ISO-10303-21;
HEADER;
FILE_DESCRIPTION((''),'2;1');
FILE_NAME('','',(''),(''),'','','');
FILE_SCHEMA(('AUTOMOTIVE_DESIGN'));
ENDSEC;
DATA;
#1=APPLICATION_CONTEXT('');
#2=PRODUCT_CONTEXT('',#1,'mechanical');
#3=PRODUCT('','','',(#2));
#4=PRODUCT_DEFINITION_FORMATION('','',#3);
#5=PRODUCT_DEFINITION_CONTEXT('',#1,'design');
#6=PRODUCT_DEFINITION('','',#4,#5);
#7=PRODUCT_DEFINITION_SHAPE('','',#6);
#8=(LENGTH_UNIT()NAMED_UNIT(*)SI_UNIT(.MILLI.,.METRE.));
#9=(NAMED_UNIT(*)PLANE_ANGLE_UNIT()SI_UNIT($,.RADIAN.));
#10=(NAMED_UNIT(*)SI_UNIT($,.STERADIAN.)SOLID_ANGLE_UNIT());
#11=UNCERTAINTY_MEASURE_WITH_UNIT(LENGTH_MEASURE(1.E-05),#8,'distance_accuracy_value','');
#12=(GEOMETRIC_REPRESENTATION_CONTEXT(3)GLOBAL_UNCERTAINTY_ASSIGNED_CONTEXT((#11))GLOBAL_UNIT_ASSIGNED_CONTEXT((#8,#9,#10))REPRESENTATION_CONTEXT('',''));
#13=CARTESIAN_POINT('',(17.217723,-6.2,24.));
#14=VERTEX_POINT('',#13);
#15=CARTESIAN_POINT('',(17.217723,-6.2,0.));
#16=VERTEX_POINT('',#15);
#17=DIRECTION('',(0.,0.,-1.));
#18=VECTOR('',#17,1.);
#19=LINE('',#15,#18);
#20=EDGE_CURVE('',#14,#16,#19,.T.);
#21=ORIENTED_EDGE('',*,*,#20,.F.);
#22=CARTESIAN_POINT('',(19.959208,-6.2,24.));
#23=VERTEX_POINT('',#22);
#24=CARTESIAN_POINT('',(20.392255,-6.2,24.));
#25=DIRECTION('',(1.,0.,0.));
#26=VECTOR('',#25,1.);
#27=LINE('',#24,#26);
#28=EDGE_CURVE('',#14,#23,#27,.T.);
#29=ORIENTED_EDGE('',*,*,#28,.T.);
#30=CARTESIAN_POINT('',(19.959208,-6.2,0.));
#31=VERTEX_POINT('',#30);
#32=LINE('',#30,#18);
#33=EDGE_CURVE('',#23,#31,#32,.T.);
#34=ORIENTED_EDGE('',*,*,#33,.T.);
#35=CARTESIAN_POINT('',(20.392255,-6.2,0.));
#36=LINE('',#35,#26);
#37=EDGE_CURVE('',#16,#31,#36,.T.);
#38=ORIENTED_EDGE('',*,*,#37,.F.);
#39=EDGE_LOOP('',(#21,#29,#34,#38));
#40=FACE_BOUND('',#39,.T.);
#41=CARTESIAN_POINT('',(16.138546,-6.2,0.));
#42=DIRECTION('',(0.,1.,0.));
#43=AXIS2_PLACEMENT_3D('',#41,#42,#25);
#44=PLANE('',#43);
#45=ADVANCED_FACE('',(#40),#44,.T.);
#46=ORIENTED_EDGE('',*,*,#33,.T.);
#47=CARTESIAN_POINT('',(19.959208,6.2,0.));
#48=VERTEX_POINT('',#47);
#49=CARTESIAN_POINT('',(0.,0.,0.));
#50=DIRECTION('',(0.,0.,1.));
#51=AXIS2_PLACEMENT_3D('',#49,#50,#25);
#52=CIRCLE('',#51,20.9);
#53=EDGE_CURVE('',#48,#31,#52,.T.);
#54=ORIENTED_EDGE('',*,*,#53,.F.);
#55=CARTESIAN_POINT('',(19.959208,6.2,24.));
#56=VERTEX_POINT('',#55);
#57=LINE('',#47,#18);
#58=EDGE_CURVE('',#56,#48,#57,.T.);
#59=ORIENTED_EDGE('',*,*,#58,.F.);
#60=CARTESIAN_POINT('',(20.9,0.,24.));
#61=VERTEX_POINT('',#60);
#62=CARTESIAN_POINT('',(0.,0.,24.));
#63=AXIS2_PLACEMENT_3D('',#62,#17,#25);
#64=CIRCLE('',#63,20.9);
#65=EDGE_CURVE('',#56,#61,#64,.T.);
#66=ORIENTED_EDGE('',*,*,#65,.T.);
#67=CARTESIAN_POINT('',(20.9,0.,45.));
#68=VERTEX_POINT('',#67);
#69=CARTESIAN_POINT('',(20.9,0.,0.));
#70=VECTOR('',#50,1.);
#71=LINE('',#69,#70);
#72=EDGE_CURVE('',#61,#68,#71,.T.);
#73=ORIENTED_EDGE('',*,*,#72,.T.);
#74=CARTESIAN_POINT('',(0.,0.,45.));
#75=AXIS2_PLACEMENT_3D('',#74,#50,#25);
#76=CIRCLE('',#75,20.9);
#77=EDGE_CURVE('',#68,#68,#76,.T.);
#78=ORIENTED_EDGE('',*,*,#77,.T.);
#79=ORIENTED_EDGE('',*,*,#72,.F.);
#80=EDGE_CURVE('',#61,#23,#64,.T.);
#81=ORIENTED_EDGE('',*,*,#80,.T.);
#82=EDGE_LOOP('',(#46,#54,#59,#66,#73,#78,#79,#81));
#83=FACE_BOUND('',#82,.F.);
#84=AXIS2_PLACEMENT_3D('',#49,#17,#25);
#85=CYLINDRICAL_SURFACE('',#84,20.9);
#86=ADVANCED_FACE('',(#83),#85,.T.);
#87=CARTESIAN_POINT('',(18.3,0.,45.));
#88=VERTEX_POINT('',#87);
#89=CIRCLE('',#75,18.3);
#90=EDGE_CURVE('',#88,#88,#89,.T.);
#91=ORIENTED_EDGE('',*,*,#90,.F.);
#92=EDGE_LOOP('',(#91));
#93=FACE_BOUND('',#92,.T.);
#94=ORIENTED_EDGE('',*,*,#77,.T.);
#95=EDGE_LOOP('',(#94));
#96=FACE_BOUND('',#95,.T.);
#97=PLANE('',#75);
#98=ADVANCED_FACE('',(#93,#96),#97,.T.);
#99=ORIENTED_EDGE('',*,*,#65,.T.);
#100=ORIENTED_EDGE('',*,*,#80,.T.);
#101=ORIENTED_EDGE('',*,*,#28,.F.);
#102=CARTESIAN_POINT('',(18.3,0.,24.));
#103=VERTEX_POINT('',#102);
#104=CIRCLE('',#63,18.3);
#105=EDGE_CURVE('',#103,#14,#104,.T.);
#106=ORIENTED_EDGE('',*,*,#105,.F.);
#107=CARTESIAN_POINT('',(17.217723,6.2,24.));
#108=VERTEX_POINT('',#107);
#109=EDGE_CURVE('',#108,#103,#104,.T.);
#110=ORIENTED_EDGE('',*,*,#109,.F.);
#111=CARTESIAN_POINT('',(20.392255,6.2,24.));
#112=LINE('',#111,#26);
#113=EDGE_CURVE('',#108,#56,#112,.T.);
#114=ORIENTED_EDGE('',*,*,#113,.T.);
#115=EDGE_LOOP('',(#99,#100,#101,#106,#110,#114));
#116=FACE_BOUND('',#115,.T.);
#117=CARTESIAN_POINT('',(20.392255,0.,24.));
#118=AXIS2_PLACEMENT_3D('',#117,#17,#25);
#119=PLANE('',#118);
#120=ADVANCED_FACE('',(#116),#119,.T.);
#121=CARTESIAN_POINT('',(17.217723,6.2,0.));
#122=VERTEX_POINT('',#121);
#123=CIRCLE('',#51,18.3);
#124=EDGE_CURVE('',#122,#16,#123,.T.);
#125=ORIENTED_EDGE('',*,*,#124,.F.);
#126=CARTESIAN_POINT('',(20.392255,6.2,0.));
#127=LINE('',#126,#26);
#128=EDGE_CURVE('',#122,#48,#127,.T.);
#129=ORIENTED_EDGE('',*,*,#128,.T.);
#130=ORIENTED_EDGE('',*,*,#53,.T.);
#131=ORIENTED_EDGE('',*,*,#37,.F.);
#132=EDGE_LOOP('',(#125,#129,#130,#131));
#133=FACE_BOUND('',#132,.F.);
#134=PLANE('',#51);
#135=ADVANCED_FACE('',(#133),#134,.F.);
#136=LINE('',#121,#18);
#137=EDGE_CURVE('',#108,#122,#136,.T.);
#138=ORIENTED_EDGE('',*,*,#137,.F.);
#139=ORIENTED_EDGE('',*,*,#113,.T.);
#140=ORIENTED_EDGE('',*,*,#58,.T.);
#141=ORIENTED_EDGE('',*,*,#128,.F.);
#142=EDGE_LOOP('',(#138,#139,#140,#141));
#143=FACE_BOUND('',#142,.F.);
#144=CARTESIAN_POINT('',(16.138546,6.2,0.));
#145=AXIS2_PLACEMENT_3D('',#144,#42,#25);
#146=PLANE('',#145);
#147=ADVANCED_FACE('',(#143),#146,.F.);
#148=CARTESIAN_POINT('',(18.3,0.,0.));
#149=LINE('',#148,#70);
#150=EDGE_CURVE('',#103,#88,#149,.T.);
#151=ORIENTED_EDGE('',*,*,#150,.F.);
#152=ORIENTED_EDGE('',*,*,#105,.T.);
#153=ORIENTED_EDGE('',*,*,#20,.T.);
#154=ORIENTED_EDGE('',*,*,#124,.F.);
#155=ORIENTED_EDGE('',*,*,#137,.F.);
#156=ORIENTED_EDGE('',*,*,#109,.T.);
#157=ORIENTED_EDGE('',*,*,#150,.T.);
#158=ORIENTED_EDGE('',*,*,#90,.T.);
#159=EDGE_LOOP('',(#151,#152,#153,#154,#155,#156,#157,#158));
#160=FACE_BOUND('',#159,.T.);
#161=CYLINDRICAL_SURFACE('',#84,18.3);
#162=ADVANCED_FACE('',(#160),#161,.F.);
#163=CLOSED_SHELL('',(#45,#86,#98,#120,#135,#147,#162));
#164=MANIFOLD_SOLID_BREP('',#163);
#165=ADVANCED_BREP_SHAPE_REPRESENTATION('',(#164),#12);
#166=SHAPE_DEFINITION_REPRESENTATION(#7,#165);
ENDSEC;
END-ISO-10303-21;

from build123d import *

# Parameters (mm, degrees)
SKETCH_R     = 20.9
SKETCH_R_2   = 18.3
PAD_DEPTH    = 45
SKETCH001_W  = 8.507418
SKETCH001_H  = 12.4
POCKET_DEPTH = 24


with BuildPart() as part:
    # Sketch → Pad (new body)
    with BuildSketch(Plane.XY):
        Circle(SKETCH_R)
        Circle(SKETCH_R_2, mode=Mode.SUBTRACT)
    extrude(amount=PAD_DEPTH)

    # Sketch001 (on Face3 of Pad) → Pocket (cut)
    with BuildSketch(Plane(origin=(0, 0, 0), x_dir=(1, 0, 0), z_dir=(0, 0, -1))):
        with Locations((20.392255, 0)):
            Rectangle(SKETCH001_W, SKETCH001_H)
    extrude(amount=-POCKET_DEPTH, mode=Mode.SUBTRACT)


solid = part.part
